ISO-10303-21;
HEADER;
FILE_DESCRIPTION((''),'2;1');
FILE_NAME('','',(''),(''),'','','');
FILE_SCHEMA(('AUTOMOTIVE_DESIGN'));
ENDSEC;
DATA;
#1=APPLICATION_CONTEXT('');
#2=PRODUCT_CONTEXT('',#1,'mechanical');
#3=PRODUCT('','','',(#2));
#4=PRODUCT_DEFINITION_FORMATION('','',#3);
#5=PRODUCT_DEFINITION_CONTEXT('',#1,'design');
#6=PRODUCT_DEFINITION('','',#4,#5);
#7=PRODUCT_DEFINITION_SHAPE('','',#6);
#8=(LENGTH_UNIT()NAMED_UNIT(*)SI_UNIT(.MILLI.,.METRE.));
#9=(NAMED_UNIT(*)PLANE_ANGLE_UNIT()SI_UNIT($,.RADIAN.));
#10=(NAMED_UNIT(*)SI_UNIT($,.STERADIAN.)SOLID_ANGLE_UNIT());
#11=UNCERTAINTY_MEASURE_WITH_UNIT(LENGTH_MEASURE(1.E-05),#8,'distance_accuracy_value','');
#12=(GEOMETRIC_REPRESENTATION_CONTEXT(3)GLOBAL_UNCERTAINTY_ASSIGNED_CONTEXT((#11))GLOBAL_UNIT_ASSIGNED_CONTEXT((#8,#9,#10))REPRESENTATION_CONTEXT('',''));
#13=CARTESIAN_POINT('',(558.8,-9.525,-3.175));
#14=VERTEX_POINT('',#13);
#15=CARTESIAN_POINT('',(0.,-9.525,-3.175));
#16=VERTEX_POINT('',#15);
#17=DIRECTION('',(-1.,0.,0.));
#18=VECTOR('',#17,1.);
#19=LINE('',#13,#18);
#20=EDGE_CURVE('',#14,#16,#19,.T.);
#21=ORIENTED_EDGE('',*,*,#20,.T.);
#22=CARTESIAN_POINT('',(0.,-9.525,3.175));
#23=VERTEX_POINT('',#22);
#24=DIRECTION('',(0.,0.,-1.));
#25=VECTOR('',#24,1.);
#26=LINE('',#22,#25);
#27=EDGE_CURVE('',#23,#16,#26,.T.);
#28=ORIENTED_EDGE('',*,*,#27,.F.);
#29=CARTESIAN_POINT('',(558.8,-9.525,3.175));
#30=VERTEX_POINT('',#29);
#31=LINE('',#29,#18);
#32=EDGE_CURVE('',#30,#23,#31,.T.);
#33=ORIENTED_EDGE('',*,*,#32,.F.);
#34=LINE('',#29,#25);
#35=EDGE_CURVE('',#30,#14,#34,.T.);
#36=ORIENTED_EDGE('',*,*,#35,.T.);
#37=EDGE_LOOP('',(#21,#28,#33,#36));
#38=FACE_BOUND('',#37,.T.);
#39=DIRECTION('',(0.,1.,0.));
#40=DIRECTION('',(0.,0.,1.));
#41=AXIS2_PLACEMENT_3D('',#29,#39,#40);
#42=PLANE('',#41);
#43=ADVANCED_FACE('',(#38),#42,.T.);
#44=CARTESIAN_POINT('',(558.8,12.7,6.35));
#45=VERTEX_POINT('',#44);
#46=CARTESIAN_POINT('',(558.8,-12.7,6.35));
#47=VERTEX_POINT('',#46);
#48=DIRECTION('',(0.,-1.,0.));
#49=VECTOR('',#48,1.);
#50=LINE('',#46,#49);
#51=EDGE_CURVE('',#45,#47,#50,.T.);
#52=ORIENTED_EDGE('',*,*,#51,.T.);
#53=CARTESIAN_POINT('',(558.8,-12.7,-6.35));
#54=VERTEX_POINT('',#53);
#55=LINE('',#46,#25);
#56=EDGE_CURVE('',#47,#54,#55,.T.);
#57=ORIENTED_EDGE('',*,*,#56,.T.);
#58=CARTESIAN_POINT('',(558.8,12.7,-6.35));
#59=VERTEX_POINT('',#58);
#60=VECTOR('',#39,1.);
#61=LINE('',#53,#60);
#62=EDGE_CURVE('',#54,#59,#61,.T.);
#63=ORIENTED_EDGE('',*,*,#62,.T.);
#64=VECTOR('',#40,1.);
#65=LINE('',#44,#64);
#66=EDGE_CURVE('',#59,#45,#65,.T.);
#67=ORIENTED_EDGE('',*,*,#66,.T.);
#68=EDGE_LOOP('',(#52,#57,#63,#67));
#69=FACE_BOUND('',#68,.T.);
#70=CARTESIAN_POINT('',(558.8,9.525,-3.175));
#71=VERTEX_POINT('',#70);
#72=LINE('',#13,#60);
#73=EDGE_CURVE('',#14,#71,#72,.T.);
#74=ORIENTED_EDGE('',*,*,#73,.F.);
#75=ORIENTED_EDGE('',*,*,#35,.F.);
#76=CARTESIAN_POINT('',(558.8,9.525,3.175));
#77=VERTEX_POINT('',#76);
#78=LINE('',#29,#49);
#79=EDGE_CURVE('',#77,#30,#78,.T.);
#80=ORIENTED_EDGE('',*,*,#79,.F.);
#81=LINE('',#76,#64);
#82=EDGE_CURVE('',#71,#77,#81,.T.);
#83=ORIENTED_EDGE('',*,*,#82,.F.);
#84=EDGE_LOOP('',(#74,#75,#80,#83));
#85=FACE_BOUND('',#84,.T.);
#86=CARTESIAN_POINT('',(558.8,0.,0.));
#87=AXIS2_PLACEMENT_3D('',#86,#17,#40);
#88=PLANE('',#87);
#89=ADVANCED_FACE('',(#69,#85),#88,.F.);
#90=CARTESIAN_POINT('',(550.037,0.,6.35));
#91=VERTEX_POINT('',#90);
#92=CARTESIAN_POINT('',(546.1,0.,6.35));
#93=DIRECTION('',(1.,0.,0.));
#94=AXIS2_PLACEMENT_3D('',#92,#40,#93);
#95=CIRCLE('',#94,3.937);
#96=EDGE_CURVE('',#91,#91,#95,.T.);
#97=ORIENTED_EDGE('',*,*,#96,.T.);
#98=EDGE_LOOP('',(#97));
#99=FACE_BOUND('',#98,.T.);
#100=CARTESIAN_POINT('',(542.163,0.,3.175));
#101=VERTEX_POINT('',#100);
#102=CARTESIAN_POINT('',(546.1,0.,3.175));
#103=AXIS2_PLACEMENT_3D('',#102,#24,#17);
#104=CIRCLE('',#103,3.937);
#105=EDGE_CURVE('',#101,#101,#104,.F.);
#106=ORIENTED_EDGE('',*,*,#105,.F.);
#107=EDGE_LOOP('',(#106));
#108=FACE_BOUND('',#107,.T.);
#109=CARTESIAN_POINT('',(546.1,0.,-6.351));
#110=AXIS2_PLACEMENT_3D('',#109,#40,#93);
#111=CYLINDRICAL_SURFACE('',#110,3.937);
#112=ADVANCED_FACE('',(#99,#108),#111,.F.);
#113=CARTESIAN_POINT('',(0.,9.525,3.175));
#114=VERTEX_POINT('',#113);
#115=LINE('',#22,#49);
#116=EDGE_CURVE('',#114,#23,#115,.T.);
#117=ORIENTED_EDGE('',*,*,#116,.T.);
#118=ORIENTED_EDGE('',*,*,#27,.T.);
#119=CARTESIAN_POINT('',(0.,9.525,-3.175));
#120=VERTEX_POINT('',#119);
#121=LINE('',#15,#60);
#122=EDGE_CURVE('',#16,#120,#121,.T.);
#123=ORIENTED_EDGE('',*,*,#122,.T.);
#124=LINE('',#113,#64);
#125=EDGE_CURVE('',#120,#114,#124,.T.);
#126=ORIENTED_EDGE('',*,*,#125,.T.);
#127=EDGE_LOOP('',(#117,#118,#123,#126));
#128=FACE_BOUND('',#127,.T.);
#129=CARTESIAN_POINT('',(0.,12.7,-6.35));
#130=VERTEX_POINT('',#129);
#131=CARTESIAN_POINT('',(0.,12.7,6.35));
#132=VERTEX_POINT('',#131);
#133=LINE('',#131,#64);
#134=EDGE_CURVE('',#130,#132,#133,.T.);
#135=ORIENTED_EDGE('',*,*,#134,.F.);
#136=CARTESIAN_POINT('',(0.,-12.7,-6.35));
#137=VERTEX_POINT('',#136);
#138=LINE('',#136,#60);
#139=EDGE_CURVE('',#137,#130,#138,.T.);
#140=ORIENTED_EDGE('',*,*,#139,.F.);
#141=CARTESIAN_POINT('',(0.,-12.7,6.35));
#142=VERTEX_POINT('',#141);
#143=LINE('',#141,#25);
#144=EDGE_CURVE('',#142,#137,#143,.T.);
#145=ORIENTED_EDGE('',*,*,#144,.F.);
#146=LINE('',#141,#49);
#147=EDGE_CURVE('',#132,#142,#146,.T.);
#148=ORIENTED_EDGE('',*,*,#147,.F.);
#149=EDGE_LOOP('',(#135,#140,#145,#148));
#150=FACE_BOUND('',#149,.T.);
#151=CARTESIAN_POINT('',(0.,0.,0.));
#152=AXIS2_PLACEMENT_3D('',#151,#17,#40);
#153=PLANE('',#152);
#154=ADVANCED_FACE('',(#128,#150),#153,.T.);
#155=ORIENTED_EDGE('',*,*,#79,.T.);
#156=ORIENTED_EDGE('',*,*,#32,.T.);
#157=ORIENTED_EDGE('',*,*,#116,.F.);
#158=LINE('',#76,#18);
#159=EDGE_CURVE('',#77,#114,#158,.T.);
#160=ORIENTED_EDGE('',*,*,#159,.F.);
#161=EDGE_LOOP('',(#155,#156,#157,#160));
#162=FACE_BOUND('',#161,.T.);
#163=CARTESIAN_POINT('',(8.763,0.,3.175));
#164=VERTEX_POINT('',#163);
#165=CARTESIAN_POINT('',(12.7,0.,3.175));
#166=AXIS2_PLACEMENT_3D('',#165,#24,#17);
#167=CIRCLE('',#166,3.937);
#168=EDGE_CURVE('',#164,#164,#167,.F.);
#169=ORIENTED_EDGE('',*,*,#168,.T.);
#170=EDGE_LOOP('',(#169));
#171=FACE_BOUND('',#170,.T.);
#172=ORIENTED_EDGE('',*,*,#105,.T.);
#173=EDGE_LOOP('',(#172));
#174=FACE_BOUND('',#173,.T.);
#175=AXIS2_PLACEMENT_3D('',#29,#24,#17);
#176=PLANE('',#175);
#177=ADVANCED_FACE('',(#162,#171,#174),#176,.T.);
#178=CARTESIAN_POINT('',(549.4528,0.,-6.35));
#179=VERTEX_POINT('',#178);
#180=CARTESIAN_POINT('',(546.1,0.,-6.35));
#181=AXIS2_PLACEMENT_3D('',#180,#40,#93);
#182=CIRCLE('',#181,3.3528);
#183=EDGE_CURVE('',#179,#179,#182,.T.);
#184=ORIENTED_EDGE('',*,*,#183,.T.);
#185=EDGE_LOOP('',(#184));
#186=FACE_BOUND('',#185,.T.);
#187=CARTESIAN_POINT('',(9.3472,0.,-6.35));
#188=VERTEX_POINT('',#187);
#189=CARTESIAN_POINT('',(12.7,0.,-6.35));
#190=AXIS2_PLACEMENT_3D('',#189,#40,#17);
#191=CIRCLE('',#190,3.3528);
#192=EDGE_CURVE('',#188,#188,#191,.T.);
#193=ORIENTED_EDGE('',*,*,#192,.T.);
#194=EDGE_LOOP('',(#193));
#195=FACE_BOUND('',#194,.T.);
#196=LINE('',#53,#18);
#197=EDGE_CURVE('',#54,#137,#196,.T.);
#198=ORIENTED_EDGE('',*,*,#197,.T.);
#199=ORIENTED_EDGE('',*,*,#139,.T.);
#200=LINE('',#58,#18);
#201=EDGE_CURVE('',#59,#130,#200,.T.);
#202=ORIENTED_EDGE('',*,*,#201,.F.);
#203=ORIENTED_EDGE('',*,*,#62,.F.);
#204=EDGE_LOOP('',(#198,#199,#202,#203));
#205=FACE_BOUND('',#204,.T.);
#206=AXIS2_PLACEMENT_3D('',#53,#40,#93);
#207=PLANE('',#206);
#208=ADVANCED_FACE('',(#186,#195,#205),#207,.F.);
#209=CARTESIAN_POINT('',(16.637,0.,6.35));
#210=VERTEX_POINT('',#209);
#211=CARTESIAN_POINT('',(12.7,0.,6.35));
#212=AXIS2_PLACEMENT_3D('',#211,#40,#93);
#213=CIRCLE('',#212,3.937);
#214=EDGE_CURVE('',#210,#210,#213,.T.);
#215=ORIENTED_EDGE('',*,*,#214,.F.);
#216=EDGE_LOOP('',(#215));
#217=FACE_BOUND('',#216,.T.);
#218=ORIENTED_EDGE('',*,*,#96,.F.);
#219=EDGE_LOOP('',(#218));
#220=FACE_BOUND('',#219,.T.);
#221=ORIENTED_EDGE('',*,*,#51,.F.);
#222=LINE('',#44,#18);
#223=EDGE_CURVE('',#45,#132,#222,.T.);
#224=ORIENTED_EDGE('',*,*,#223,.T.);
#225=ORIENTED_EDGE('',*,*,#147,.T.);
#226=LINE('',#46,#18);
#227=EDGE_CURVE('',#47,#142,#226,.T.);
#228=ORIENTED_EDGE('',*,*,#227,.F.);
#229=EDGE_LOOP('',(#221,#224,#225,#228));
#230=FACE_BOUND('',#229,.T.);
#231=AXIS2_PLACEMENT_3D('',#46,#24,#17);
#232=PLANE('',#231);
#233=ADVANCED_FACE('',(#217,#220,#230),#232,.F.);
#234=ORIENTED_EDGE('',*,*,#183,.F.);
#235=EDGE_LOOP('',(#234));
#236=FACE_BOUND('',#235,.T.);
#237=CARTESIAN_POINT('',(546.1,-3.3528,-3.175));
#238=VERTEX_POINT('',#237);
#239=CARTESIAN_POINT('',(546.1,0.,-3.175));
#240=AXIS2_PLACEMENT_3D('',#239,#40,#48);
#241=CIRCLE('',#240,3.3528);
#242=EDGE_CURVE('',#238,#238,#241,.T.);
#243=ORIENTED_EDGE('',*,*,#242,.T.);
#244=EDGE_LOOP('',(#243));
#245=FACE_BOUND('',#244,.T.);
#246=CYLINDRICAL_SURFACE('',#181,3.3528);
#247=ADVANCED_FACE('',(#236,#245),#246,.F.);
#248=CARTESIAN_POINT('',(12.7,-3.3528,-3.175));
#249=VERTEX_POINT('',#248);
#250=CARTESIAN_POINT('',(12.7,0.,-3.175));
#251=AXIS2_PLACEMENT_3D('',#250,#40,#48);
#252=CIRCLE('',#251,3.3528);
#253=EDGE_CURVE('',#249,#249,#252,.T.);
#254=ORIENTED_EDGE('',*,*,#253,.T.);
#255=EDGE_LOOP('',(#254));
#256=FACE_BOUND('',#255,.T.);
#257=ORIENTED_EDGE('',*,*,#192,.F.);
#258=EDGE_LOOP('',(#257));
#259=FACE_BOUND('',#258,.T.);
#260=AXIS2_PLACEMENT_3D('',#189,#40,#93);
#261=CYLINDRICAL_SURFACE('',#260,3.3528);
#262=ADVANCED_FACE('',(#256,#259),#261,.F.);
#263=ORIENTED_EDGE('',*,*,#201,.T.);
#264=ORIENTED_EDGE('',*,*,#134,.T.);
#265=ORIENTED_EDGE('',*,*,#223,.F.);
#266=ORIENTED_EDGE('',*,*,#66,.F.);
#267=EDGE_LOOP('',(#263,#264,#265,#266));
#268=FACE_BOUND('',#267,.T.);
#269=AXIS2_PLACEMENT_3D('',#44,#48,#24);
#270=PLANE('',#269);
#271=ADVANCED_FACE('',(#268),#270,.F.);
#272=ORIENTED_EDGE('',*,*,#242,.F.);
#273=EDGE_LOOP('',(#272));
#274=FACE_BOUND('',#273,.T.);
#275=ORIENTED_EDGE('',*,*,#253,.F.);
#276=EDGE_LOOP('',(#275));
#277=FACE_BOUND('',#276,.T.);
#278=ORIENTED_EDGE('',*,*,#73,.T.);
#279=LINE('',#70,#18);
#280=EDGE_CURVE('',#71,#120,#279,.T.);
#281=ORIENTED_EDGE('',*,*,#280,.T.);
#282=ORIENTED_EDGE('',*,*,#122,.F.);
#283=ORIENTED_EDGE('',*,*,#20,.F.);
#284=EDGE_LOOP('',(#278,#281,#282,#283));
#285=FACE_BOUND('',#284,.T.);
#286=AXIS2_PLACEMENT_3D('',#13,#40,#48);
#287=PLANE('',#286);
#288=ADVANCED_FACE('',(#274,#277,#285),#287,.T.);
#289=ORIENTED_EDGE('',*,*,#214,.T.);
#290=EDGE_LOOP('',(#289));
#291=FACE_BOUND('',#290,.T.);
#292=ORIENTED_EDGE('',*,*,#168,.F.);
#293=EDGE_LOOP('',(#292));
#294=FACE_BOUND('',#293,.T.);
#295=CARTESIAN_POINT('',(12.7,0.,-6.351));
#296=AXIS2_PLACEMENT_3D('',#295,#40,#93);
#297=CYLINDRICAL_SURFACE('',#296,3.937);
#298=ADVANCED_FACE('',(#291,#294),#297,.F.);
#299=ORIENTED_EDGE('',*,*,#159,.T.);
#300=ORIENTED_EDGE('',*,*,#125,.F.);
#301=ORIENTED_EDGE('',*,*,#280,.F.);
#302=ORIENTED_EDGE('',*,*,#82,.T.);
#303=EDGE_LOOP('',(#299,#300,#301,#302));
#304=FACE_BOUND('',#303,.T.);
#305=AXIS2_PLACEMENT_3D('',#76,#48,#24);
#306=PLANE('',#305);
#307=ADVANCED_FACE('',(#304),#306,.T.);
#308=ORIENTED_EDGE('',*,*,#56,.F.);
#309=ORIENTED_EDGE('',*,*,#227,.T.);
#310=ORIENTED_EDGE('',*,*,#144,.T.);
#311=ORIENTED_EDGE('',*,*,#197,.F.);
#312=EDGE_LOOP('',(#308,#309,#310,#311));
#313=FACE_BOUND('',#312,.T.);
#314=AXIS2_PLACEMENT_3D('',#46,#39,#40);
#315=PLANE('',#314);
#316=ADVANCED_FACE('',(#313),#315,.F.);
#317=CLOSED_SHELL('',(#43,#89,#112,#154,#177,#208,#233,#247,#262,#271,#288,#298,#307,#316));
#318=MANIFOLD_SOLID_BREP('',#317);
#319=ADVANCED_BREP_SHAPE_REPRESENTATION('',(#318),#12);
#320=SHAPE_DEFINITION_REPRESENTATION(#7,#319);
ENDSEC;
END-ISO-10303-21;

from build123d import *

# Parameters (mm, degrees)
SKETCH1_W               = 12.7
SKETCH1_H               = 25.4
SKETCH1_W_2             = 6.35
SKETCH1_H_2             = 19.05
BOSS_EXTRUDE1_DEPTH     = 558.8
CUT_EXTRUDE1_DEPTH      = 560.088561858
CUT_EXTRUDE1_DEPTH_BACK = 560.088561858
SKETCH2_R               = 3.3528
CUT_EXTRUDE2_REACH      = 561.089
SKETCH3_R               = 3.937


with BuildPart() as part:
    # Sketch1 → Boss-Extrude1 (new body)
    with BuildSketch(Plane(origin=(0, 0, 0), x_dir=(0, 0, -1), z_dir=(1, 0, 0))):
        Rectangle(SKETCH1_W, SKETCH1_H)
        Rectangle(SKETCH1_W_2, SKETCH1_H_2, mode=Mode.SUBTRACT)
    extrude(amount=BOSS_EXTRUDE1_DEPTH)

    # Sketch2 → Cut-Extrude1 (cut, two sides: drawn at the far end of the back side and taken through both)
    with BuildSketch(Plane.XY.offset(6.35).offset(-CUT_EXTRUDE1_DEPTH_BACK)):
        with Locations((546.1, 0)):
            Circle(SKETCH2_R)
        with Locations(Location((12.7, 0, 0), (0, 0, 270))):
            Circle(SKETCH2_R)
    extrude(amount=CUT_EXTRUDE1_DEPTH + CUT_EXTRUDE1_DEPTH_BACK, mode=Mode.SUBTRACT)

    # Sketch3 → Cut-Extrude2 (cut, up to next)
    with BuildSketch(Plane.XY.offset(6.35), mode=Mode.PRIVATE) as cut_extrude2_sk1:
        with Locations((546.1, 0)):
            Circle(SKETCH3_R)
    cut_extrude2_tool1 = extrude(cut_extrude2_sk1.sketch, amount=-CUT_EXTRUDE2_REACH, mode=Mode.PRIVATE) & part.part
    # Sketch3 → Cut-Extrude2 (cut, up to next)
    with BuildSketch(Plane.XY.offset(6.35), mode=Mode.PRIVATE) as cut_extrude2_sk2:
        with Locations((12.7, 0)):
            Circle(SKETCH3_R)
    cut_extrude2_tool2 = extrude(cut_extrude2_sk2.sketch, amount=-CUT_EXTRUDE2_REACH, mode=Mode.PRIVATE) & part.part
    add(cut_extrude2_tool1.solids().sort_by_distance((546.1, 0, 6.35))[0], mode=Mode.SUBTRACT)
    add(cut_extrude2_tool2.solids().sort_by_distance((12.7, 0, 6.35))[0], mode=Mode.SUBTRACT)


solid = part.part
